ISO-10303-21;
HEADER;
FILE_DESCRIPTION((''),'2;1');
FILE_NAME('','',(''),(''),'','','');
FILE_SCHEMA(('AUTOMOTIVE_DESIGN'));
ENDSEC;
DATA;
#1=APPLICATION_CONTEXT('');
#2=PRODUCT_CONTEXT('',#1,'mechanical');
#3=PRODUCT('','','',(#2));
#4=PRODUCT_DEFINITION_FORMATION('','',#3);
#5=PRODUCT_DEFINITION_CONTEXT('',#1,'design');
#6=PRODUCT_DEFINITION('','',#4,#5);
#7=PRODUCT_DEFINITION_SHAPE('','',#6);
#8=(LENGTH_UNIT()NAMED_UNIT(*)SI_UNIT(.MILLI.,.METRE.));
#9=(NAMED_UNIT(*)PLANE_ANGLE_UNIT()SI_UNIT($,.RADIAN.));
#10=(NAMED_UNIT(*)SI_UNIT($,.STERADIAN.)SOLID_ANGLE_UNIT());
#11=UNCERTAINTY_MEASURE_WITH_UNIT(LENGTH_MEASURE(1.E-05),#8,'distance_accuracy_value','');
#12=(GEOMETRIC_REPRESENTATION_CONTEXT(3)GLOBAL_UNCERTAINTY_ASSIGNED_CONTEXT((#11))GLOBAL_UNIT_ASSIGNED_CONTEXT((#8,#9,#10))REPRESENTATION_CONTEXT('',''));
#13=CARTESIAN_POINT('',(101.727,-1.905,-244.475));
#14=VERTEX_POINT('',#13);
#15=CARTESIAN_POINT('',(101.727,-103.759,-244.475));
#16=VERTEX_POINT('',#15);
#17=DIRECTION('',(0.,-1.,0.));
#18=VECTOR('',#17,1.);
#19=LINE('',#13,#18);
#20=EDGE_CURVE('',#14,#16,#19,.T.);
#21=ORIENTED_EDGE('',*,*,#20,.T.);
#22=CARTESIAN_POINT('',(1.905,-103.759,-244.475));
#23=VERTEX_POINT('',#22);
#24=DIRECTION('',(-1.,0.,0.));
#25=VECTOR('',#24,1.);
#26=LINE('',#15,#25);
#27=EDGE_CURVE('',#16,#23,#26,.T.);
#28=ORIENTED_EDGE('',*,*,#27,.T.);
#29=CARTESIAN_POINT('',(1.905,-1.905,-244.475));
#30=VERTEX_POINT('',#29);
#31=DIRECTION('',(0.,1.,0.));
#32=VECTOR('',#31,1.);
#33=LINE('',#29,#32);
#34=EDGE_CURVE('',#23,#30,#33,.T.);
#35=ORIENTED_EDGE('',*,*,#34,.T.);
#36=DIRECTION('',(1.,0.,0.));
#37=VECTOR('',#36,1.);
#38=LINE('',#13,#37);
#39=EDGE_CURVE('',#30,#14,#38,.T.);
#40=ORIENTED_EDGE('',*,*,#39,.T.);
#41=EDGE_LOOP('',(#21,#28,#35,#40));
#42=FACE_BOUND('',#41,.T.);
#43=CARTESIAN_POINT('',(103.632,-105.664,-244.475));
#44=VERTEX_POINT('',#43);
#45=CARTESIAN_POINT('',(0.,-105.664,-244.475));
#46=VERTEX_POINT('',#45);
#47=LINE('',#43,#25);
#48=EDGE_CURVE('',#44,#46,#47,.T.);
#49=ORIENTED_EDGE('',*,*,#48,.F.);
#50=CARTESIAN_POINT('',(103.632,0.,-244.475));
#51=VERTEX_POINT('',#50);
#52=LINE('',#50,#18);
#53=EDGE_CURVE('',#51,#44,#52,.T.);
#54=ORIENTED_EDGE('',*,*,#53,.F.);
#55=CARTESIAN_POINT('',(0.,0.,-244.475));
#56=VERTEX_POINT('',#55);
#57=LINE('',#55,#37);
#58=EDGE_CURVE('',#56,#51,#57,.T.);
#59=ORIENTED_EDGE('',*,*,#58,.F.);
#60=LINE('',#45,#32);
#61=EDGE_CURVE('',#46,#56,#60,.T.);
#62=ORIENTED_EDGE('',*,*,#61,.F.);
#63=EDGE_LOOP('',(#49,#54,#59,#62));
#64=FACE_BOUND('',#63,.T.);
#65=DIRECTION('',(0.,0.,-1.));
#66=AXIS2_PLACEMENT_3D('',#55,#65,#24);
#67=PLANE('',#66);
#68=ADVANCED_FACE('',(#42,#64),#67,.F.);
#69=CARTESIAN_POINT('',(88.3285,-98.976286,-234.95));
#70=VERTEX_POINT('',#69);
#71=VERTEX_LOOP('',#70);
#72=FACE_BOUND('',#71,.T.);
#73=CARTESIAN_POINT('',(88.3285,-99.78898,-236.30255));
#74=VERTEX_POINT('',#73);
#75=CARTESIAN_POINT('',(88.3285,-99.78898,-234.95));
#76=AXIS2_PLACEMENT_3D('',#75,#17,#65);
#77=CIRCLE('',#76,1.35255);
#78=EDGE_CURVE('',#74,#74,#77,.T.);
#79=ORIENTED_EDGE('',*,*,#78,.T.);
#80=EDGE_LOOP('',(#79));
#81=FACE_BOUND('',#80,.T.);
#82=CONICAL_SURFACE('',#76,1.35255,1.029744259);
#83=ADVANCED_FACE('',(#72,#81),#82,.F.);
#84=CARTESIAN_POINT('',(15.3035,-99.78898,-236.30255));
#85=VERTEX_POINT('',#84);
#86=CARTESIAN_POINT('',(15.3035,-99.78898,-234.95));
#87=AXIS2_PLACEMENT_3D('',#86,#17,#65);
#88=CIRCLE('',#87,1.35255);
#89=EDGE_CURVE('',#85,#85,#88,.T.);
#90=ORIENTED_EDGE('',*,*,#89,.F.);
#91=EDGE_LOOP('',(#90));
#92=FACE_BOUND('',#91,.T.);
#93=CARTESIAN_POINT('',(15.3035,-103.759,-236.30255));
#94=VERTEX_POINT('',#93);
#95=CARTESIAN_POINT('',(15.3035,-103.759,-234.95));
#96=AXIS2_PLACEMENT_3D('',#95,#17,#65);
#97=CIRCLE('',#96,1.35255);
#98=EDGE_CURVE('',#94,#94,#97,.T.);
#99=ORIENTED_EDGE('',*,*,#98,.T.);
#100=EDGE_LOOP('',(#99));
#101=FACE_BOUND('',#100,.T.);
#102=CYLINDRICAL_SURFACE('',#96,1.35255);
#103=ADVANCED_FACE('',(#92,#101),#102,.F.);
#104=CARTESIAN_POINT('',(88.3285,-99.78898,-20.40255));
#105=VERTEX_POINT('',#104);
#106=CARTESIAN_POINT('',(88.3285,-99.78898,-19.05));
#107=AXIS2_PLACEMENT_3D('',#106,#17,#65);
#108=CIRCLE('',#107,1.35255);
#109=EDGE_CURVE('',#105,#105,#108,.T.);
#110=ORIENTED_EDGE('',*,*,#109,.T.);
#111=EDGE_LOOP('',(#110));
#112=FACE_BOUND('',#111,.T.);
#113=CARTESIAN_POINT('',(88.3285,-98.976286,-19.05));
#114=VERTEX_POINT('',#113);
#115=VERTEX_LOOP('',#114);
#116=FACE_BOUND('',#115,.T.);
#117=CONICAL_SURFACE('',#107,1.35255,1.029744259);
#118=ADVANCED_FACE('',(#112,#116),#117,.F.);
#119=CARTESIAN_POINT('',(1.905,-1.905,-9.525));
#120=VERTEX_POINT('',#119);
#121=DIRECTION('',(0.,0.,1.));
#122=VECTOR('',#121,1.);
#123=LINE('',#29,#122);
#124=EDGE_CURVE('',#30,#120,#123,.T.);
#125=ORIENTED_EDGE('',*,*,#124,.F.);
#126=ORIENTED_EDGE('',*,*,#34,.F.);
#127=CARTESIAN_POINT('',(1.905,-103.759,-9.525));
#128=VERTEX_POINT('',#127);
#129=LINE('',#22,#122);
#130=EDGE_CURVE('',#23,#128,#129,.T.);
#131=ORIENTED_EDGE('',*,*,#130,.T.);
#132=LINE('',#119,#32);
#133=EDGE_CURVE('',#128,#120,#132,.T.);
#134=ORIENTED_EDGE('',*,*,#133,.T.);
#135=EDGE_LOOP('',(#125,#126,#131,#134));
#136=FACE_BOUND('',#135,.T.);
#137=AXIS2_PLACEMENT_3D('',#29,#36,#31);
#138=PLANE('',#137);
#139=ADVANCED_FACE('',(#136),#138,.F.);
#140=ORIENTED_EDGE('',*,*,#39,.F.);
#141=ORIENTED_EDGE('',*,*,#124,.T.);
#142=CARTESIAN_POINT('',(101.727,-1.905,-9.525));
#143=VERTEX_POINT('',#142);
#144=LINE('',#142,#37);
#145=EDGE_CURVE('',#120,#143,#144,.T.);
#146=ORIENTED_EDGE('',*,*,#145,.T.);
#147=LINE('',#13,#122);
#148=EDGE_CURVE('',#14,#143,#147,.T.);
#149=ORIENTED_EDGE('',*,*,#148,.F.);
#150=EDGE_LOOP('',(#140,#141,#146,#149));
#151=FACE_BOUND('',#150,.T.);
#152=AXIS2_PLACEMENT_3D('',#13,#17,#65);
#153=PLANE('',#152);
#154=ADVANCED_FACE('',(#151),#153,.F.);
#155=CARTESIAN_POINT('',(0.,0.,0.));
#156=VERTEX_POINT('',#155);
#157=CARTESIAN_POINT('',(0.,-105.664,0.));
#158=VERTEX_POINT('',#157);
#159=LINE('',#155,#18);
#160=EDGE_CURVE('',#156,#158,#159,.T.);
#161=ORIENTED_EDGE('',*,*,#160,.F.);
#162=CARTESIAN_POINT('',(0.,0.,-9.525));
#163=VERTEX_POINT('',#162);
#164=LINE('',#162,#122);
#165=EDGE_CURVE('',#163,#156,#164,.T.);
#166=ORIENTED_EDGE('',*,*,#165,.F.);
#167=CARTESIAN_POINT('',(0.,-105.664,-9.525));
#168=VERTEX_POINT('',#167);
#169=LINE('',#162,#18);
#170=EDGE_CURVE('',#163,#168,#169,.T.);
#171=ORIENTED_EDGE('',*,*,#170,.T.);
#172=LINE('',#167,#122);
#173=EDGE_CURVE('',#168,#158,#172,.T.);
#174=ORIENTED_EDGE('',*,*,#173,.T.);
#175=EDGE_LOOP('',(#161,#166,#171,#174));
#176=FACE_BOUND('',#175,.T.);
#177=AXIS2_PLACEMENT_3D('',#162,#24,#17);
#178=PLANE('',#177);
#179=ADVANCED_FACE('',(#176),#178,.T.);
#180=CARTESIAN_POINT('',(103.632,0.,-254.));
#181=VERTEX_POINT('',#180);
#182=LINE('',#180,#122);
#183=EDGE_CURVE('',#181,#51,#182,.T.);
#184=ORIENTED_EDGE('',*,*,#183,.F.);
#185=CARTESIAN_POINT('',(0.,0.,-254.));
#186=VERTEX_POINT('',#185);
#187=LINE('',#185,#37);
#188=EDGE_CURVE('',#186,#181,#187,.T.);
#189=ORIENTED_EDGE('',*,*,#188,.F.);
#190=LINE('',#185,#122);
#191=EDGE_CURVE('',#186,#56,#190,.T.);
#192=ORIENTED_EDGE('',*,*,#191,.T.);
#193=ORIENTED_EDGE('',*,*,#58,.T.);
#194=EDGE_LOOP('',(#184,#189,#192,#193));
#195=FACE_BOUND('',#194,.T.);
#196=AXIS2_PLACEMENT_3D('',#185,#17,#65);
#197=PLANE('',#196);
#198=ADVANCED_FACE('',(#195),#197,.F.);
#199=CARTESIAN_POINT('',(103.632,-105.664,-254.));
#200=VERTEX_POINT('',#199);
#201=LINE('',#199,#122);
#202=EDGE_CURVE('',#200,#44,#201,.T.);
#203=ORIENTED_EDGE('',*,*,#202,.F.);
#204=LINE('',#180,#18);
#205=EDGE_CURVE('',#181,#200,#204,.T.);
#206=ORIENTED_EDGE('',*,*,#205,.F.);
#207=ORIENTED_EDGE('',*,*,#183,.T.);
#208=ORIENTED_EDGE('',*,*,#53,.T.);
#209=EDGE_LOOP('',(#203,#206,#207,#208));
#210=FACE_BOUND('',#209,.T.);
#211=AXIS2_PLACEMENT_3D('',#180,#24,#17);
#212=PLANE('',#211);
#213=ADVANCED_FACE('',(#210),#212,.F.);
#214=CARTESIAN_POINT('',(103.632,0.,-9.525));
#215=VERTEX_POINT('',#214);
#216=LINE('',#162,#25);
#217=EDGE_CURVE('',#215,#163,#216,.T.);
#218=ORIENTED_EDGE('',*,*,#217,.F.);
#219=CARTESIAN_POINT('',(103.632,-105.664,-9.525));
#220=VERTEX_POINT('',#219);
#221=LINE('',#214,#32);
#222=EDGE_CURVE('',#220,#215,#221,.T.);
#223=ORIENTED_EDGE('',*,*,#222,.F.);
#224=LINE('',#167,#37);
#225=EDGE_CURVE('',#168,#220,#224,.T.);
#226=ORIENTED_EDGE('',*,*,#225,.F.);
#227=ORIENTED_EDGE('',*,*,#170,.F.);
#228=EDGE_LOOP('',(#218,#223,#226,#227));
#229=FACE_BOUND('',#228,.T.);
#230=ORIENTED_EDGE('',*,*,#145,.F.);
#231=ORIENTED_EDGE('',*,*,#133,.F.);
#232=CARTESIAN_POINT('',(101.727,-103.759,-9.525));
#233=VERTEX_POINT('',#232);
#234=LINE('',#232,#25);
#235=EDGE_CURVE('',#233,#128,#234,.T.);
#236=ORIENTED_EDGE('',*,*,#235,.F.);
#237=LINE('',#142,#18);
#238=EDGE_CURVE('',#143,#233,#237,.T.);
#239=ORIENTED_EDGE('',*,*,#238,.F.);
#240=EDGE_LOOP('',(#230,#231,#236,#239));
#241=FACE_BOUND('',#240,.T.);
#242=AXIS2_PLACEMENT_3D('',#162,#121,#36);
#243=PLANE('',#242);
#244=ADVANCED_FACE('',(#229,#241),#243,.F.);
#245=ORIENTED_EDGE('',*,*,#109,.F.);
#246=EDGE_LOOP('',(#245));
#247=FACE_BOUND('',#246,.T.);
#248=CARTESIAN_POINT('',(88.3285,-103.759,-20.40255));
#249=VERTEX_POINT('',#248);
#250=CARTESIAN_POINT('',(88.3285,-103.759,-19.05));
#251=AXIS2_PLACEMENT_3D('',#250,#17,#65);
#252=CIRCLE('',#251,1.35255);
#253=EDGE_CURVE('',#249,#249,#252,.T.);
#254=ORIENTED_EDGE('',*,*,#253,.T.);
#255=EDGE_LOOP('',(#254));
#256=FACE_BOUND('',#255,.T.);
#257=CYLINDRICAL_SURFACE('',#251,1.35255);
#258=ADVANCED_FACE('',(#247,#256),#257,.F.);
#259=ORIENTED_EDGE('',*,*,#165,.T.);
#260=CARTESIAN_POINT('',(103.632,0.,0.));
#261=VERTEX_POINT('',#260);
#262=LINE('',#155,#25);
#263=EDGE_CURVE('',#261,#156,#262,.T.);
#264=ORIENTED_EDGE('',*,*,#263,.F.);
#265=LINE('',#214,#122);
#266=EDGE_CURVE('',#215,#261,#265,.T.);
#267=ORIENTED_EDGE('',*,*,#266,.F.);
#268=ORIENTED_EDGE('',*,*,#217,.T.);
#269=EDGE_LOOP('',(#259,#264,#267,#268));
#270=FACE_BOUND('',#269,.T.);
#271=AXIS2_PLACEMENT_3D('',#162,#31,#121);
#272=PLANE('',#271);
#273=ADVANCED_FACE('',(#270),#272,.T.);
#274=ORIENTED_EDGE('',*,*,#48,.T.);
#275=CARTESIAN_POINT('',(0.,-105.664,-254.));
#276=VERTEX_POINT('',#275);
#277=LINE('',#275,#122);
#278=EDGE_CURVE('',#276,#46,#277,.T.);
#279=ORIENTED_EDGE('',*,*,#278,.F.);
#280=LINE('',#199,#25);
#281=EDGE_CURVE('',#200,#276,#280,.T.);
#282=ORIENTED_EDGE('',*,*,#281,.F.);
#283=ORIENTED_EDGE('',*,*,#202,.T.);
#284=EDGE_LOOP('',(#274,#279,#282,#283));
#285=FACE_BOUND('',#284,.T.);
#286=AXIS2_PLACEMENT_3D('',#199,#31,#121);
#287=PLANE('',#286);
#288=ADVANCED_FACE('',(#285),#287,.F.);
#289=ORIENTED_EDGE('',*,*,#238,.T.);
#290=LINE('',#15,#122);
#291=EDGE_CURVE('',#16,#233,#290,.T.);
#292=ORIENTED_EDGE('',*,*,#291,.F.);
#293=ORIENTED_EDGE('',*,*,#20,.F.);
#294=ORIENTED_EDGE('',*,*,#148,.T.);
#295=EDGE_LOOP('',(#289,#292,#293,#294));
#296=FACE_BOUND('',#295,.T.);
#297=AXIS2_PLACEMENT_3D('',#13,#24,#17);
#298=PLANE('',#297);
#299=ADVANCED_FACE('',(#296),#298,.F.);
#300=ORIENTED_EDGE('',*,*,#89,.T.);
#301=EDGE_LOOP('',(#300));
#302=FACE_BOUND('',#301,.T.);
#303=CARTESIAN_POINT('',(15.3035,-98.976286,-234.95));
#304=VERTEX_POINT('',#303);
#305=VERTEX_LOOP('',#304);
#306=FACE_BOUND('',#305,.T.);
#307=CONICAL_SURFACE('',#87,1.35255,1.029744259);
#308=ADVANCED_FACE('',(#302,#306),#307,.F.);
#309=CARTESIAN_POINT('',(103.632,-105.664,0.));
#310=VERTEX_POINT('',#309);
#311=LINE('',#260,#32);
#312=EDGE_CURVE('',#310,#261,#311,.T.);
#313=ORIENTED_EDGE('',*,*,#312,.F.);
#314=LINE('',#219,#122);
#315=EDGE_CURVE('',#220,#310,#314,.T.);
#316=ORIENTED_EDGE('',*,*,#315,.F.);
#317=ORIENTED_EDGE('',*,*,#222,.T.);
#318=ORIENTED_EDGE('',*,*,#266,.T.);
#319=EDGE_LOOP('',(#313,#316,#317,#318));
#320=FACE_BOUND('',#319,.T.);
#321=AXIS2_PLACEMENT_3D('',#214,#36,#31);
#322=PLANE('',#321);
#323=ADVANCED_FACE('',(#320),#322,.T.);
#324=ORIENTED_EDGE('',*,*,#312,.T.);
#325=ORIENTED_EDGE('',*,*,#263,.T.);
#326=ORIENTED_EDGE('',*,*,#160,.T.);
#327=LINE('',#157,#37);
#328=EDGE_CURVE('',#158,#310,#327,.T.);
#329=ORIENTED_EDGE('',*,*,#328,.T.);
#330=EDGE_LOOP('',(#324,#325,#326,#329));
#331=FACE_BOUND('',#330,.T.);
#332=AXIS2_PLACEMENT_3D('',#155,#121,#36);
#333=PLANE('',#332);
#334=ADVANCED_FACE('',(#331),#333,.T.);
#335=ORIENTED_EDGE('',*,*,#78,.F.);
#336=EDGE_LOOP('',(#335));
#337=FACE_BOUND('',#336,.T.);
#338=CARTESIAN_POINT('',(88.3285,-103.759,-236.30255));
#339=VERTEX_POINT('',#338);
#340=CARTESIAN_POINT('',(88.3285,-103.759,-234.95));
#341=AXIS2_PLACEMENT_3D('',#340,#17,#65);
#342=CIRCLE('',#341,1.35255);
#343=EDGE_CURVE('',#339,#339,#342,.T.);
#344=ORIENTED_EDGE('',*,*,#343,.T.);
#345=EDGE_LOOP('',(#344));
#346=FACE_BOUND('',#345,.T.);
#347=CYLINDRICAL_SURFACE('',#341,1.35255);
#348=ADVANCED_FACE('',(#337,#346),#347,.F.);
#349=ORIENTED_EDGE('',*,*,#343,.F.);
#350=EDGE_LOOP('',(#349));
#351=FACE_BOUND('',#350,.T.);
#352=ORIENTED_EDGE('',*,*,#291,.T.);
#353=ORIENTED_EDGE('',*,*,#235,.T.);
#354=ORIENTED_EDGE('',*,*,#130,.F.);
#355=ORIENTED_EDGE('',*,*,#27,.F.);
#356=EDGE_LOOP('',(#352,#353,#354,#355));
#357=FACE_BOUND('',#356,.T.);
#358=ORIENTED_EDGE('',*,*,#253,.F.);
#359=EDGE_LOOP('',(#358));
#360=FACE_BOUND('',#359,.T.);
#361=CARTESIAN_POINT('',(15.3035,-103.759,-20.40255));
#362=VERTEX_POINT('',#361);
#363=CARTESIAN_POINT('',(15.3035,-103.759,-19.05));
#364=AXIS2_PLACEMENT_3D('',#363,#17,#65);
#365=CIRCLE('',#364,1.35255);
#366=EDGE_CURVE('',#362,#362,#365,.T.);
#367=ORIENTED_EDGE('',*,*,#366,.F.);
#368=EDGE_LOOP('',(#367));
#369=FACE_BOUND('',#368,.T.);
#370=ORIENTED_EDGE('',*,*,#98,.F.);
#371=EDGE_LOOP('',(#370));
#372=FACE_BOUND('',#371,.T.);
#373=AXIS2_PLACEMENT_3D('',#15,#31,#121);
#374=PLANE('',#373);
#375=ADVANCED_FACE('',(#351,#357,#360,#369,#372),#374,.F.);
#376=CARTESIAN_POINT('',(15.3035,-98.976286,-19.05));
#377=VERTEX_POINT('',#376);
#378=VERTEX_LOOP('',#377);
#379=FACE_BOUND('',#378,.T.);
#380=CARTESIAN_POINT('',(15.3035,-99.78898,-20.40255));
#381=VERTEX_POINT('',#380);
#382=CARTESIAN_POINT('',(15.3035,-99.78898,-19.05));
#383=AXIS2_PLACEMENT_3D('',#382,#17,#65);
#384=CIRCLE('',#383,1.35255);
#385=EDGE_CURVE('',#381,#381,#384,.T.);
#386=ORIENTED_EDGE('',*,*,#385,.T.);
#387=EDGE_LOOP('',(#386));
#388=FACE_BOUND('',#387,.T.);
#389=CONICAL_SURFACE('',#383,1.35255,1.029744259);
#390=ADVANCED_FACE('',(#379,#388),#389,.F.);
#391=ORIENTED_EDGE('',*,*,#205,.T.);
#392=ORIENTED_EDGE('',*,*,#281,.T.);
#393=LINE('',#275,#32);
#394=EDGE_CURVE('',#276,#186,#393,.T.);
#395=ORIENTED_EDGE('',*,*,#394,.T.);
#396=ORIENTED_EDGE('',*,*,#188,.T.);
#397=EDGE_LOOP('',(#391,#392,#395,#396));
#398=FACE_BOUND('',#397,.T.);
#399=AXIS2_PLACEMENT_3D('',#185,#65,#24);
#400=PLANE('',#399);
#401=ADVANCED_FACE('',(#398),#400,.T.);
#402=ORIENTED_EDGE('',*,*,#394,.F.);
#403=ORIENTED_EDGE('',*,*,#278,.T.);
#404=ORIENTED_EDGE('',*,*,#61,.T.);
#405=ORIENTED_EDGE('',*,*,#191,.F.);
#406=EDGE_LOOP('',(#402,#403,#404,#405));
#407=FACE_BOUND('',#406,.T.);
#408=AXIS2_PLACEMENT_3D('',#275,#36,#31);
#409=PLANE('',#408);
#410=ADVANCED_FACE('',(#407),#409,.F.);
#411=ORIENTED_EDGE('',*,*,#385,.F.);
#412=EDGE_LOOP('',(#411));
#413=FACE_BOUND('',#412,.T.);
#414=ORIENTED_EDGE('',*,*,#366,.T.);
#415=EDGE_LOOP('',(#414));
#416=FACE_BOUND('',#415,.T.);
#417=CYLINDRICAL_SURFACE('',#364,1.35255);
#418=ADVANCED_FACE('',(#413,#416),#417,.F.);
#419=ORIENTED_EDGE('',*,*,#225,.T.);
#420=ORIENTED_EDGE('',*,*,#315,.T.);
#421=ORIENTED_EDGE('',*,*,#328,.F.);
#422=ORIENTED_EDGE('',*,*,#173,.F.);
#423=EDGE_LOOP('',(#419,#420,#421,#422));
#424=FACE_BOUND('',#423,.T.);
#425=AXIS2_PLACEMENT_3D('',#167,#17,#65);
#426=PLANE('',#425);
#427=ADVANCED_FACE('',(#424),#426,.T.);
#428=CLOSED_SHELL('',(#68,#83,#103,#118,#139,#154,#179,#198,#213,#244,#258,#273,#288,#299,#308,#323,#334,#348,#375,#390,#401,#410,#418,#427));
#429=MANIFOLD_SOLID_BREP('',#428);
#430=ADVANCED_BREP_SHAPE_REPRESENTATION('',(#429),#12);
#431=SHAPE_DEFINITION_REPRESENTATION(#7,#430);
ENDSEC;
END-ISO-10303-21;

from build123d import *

# Parameters (mm, degrees)
SKETCH1_W                     = 103.632
SKETCH1_H                     = 105.664
BOSS_EXTRUDE1_DEPTH           = 9.525
SKETCH2_W                     = 99.822
SKETCH2_H                     = 101.854
BOSS_EXTRUDE2_DEPTH           = 234.95
SKETCH4_W                     = 103.632
SKETCH4_H                     = 105.664
BOSS_EXTRUDE5_DEPTH           = 9.525
TAP_DRILL_FOR_6_32_TAP1_D     = 2.7051
TAP_DRILL_FOR_6_32_TAP1_DEPTH = 3.97002
TAP_DRILL_FOR_6_32_TAP1_TIP   = 0.81269403


with BuildPart() as part:
    # Sketch1 → Boss-Extrude1 (new body)
    with BuildSketch(Plane.XY):
        with Locations((51.816, -52.832)):
            Rectangle(SKETCH1_W, SKETCH1_H)
    extrude(amount=-BOSS_EXTRUDE1_DEPTH)

    # Sketch2 → Boss-Extrude2 (add)
    with BuildSketch(Plane(origin=(0, 0, -9.525), x_dir=(-1, 0, 0), z_dir=(0, 0, -1))):
        with Locations((-51.816, -52.832)):
            Rectangle(SKETCH2_W, SKETCH2_H)
    extrude(amount=BOSS_EXTRUDE2_DEPTH)

    # Sketch4 → Boss-Extrude5 (add)
    with BuildSketch(Plane(origin=(0, 0, -244.475), x_dir=(-1, 0, 0), z_dir=(0, 0, -1))):
        with Locations((-51.816, -52.832)):
            Rectangle(SKETCH4_W, SKETCH4_H)
    extrude(amount=BOSS_EXTRUDE5_DEPTH)

    # Tap Drill for #6-32 Tap1
    with Locations(Plane(origin=(0, -103.759, 0), x_dir=(-1, 0, 0), z_dir=(0, -1, 0))):
        with Locations((-88.3285, 234.95), (-15.3035, 234.95), (-88.3285, 19.05), (-15.3035, 19.05)):
            Hole(TAP_DRILL_FOR_6_32_TAP1_D / 2, depth=TAP_DRILL_FOR_6_32_TAP1_DEPTH)
            with Locations((0, 0, -(TAP_DRILL_FOR_6_32_TAP1_DEPTH + TAP_DRILL_FOR_6_32_TAP1_TIP / 2))):  # 118° drill point
                Cone(0, TAP_DRILL_FOR_6_32_TAP1_D / 2, TAP_DRILL_FOR_6_32_TAP1_TIP, mode=Mode.SUBTRACT)


solid = part.part
